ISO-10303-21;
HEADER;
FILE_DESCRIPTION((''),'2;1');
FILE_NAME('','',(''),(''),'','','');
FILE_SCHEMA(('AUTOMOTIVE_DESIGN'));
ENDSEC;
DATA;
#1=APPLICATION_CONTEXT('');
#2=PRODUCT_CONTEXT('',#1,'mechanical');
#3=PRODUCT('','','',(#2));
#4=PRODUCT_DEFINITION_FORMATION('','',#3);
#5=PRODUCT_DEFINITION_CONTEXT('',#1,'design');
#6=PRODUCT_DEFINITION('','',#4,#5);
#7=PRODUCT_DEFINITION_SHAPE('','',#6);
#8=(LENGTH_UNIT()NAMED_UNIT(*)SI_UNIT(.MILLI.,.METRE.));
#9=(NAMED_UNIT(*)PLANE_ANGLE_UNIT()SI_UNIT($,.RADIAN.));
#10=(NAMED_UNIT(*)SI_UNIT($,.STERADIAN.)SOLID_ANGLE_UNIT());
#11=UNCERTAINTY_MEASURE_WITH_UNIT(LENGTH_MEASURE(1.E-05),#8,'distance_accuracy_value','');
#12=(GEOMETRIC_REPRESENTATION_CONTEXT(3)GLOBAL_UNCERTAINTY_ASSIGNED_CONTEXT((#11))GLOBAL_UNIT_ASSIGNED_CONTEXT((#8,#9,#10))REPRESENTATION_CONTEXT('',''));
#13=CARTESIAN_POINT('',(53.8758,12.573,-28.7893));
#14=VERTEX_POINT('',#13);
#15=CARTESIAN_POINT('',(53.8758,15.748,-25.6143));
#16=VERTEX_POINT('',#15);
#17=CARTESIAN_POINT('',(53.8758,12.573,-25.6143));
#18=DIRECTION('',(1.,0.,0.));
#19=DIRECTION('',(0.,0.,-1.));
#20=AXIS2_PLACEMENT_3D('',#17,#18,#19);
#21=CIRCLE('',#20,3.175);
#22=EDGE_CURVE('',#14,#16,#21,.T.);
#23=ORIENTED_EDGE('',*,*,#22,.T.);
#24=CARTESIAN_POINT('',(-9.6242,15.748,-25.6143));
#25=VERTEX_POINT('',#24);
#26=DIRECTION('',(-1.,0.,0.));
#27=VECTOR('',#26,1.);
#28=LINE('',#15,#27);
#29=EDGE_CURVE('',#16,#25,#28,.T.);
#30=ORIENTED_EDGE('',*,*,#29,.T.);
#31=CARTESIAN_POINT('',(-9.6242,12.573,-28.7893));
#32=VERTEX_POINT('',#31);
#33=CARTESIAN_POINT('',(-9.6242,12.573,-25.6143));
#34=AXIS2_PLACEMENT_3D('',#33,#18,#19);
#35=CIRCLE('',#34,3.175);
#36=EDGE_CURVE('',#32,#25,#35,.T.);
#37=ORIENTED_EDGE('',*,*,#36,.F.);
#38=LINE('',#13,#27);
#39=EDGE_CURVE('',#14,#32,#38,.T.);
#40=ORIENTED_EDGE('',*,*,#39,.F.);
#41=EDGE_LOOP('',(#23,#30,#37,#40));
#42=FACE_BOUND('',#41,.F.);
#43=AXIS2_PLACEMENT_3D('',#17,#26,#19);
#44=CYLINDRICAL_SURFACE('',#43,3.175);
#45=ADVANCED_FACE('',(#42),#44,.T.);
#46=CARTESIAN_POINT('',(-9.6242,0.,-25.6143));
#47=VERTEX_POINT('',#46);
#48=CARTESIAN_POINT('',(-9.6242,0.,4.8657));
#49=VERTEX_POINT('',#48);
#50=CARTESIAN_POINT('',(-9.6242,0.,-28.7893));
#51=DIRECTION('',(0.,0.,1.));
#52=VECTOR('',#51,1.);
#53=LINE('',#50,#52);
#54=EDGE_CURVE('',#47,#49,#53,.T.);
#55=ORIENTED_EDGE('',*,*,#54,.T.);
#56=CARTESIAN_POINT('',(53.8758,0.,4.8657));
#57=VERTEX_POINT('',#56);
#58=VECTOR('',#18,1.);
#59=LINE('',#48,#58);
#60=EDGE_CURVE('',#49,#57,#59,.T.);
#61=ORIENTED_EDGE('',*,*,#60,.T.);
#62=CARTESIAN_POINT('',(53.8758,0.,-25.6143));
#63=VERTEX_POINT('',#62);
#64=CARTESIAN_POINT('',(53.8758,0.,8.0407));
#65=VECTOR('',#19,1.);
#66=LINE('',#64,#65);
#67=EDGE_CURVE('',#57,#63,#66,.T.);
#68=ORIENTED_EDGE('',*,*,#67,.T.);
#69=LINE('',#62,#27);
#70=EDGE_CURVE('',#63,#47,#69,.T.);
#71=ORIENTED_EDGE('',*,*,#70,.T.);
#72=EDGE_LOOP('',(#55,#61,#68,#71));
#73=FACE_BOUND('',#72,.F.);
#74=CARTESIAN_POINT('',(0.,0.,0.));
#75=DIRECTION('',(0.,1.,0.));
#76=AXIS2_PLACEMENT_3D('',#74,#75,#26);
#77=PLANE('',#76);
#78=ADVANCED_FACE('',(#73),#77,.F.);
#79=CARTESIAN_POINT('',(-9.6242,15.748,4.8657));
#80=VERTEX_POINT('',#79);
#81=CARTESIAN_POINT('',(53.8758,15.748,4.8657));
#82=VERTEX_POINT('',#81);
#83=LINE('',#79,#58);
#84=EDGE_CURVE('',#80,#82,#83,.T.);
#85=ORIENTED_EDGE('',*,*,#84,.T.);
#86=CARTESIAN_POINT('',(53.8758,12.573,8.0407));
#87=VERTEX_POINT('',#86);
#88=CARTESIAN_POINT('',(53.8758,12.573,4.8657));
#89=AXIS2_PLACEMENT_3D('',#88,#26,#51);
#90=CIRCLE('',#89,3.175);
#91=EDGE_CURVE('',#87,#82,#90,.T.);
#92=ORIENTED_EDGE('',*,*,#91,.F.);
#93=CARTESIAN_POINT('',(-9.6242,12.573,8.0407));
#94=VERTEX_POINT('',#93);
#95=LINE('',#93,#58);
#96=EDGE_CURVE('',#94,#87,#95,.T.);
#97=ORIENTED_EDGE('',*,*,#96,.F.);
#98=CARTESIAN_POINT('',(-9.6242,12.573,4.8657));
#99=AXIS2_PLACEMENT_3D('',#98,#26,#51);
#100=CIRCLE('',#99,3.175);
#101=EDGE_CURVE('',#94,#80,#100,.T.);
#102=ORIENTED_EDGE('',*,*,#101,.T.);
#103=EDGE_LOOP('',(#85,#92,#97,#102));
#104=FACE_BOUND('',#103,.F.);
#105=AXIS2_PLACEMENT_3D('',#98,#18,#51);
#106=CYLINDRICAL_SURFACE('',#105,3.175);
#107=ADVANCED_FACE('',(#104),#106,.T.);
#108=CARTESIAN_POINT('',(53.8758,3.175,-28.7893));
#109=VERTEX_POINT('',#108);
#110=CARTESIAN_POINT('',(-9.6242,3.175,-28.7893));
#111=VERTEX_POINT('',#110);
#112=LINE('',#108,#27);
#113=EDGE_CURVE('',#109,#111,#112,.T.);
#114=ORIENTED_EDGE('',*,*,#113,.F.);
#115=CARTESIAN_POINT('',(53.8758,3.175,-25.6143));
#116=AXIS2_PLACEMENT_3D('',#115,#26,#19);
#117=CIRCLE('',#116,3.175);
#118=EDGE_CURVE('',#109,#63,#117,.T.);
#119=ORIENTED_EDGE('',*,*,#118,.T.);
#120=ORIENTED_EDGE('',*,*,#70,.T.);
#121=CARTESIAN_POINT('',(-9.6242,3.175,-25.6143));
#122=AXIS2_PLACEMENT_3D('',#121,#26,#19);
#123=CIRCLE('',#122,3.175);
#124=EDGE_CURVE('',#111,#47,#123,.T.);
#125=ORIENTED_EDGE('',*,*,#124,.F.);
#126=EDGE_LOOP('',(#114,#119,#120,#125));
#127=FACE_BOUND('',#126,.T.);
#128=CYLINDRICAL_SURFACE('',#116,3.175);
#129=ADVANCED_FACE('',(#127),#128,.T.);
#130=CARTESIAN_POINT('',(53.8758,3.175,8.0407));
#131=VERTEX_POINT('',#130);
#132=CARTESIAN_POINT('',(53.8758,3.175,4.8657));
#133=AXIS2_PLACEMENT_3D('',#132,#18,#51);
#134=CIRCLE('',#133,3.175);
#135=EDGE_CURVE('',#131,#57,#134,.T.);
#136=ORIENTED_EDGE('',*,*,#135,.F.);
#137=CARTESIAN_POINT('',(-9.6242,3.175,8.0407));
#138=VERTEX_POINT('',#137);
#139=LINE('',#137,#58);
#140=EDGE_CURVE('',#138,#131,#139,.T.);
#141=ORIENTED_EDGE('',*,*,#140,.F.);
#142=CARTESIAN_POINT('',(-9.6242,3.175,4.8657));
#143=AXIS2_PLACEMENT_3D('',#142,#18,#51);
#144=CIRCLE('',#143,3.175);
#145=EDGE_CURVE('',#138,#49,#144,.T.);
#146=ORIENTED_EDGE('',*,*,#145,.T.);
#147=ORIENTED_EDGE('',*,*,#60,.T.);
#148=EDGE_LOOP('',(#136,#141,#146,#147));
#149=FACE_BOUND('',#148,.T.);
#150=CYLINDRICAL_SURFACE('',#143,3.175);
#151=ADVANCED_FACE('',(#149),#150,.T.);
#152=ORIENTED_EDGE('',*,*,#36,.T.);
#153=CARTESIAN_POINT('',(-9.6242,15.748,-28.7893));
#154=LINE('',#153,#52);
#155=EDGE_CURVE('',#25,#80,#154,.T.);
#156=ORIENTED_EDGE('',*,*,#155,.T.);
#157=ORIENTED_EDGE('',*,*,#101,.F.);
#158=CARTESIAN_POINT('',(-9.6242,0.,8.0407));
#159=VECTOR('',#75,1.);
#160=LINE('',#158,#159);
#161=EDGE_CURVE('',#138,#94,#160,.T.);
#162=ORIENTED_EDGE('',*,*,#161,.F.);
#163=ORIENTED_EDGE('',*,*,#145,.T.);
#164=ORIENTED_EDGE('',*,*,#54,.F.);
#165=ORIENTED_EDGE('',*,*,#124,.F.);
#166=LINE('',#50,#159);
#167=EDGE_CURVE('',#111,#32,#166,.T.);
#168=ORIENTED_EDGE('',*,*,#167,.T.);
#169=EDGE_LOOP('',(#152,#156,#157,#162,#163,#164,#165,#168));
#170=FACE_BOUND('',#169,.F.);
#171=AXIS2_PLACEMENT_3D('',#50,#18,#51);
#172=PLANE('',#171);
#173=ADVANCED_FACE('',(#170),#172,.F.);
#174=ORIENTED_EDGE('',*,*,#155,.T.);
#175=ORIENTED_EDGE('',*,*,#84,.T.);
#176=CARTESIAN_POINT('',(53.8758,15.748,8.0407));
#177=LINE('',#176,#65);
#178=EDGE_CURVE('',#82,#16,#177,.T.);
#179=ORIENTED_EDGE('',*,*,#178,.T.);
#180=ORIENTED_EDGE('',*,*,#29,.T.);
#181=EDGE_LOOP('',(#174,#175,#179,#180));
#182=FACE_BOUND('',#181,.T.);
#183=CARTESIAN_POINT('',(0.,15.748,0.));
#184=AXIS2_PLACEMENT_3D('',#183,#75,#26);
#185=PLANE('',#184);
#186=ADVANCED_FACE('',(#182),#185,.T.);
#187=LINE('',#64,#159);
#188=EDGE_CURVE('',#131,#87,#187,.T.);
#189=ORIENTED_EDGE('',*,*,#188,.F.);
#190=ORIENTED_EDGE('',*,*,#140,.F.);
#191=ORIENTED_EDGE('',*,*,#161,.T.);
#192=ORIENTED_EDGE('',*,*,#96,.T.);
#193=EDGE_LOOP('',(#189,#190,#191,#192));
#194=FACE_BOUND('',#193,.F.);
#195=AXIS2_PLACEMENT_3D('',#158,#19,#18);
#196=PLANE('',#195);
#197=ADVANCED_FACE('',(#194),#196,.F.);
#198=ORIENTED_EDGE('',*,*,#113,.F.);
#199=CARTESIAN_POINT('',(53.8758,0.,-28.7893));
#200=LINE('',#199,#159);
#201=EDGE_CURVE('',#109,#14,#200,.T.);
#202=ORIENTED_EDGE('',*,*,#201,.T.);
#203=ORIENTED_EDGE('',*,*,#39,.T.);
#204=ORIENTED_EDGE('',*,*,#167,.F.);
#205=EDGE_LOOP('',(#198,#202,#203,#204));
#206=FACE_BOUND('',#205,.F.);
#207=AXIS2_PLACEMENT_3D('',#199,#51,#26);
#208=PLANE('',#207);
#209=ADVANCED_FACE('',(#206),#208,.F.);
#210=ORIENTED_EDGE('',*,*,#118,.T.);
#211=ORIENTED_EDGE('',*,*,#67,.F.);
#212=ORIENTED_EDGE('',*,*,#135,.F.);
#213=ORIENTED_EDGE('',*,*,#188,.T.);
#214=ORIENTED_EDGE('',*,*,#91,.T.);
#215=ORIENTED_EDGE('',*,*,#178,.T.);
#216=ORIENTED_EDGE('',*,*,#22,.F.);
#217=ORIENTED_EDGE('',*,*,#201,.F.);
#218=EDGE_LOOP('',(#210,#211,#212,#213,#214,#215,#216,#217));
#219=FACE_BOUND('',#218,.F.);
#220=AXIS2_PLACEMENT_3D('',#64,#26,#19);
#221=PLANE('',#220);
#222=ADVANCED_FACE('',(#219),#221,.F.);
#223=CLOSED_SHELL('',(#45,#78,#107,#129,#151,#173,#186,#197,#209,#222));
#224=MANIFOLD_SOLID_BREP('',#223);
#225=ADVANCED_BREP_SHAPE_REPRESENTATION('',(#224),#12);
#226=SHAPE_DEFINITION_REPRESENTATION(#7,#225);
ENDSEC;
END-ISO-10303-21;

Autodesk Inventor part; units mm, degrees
ref_plane "YZ Plane" through (0, 0, 0) normal (1, 0, 0) x (0, 1, 0)
ref_plane "XZ Plane" through (0, 0, 0) normal (0, 1, 0) x (-1, 0, 0)
ref_plane "XY Plane" through (0, 0, 0) normal (0, 0, 1) x (1, 0, 0)
sketch "Sketch1" plane through (0, 0, 0) normal (0, 1, 0) x (-1, 0, 0)
  line L0 (9.6242, 8.0407) -> (-53.8758, 8.0407)
  line L1 (-53.8758, 8.0407) -> (-53.8758, -28.7893)
  line L2 (-53.8758, -28.7893) -> (9.6242, -28.7893)
  line L3 (9.6242, -28.7893) -> (9.6242, 8.0407)
  point P0 (0, 0)
  dimension "d0" = 63.5
  dimension "d1" = 36.83
extrude "Extrusion1" add sketch "Sketch1" along normal blind 15.748
fillet "Fillet1" radius 3.175 4 edges at (22.1258, 15.748, 8.0407) (22.1258, 15.748, -28.7893) (22.1258, 0, 8.0407) (22.1258, 0, -28.7893)
properties part number "Battery box" material "Battery Box"
